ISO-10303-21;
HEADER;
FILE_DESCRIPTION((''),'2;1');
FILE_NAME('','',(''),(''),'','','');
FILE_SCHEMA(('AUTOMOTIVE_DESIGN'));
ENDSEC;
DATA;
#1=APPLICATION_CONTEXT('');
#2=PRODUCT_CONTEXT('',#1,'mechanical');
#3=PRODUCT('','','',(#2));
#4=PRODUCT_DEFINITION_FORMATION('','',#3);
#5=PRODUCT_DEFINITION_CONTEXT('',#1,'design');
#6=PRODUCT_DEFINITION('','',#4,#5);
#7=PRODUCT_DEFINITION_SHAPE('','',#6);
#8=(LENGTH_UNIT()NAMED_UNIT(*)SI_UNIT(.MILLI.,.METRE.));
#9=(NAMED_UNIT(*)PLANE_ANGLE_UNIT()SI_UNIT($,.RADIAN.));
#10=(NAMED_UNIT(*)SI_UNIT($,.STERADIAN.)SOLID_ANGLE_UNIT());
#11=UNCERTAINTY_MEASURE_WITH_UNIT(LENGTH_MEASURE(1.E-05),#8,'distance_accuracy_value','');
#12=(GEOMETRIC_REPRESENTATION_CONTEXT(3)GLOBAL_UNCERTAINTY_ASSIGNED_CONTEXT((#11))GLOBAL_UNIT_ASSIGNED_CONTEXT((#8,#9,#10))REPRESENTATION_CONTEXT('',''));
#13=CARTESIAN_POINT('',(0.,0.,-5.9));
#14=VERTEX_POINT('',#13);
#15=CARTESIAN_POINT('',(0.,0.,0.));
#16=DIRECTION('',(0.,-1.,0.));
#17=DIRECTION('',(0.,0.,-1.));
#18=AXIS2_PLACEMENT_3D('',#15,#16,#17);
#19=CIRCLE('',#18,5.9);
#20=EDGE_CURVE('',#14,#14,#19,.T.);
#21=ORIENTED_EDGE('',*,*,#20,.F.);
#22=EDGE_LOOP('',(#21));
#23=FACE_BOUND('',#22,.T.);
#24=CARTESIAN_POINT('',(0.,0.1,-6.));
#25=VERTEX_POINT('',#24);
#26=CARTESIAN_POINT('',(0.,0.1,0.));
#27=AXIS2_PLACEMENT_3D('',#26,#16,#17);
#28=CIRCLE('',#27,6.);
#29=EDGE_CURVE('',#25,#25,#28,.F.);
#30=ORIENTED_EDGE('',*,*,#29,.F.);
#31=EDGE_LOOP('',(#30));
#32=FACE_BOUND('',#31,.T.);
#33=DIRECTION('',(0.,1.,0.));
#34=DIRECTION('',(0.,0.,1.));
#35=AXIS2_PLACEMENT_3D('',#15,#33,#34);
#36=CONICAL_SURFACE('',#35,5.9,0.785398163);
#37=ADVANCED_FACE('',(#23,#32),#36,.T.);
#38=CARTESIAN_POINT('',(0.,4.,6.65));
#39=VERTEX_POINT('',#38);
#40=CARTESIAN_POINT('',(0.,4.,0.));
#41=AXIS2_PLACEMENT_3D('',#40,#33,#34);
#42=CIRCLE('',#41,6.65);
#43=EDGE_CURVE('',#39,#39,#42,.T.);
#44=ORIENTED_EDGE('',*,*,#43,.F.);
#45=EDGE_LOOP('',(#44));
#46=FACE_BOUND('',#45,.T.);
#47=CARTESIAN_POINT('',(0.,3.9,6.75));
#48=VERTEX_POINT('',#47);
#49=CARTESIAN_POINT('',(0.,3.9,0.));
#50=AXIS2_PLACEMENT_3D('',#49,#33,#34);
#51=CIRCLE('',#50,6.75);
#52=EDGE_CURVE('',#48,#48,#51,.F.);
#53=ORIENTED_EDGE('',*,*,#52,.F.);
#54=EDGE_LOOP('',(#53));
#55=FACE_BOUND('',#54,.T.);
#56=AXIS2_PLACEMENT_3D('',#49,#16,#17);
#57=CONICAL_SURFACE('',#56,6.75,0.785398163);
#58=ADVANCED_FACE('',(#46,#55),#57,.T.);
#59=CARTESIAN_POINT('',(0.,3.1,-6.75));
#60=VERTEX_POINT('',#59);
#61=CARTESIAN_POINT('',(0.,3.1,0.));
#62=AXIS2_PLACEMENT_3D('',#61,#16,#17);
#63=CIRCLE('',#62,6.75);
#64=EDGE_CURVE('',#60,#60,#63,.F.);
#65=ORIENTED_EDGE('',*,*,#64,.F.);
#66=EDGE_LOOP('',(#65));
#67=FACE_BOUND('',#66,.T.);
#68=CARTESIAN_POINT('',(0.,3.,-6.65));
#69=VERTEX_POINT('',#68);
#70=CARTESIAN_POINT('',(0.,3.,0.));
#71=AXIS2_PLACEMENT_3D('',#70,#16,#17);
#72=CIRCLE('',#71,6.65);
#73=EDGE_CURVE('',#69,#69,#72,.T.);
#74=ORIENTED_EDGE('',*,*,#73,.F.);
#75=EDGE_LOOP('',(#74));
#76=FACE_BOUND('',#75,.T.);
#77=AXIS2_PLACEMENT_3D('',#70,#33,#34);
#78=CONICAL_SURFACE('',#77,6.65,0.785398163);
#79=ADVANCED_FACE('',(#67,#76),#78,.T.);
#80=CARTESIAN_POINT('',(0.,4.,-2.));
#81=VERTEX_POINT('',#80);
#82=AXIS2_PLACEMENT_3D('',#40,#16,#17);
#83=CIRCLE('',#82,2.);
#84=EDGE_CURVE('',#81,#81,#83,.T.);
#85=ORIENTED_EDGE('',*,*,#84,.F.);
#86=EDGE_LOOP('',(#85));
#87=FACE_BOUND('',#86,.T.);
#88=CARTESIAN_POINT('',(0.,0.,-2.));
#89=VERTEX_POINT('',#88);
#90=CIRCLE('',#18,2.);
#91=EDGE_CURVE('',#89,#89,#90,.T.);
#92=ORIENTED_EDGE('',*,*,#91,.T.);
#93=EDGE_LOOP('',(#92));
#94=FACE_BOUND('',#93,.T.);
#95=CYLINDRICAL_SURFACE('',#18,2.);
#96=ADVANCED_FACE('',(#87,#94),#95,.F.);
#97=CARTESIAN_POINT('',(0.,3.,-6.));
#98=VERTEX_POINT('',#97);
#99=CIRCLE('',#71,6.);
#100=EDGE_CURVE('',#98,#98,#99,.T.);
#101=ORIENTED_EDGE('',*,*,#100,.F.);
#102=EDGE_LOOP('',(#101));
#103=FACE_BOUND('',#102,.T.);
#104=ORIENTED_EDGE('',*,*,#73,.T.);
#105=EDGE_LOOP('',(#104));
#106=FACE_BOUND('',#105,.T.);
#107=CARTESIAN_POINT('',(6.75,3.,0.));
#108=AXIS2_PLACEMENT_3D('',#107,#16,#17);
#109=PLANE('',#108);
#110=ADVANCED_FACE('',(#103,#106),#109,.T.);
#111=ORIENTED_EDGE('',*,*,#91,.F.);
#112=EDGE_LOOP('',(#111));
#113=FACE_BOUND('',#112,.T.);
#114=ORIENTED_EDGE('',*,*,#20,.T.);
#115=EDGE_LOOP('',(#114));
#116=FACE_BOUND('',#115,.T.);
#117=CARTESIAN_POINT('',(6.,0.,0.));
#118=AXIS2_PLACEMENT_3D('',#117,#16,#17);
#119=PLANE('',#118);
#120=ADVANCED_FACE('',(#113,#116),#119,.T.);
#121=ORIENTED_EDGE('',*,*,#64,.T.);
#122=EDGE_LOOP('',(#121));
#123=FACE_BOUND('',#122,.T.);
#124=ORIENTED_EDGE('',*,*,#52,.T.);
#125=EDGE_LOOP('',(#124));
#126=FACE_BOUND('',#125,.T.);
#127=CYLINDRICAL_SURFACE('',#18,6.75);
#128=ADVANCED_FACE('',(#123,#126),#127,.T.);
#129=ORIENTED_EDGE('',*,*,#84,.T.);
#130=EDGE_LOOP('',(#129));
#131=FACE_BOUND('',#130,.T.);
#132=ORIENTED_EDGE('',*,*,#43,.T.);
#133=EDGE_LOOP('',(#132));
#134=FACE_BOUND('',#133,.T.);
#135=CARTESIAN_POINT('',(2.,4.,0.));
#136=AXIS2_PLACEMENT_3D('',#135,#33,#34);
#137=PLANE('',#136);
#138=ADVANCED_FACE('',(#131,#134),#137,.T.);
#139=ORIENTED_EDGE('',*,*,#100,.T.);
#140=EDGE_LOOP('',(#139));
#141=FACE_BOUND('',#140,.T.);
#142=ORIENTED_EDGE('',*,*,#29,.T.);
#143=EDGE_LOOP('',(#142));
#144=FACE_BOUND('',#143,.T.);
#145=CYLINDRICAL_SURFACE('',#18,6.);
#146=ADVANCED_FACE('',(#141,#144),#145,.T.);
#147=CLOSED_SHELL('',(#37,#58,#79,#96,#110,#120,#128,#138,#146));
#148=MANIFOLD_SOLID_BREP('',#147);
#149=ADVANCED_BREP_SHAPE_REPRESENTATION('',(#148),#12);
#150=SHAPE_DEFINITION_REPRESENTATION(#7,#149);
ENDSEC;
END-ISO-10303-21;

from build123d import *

# Parameters (mm, degrees)
CHAMFER_1_SIZE = 0.1


with BuildPart() as part:
    # 草图1 → 旋转1 (revolve)
    with BuildSketch(Plane.XY):
        Polygon((2, 0), (2, 4), (6.75, 4), (6.75, 3), (6, 3), (6, 0), align=None)
    revolve(axis=Axis((0, 0, 0), (0, 1, 0)))

    # 倒角1
    chamfer_1_edges = [part.edges().sort_by_distance(p)[0] for p in [
        (-6, 0, 0),
        (-6.75, 3, 0),
        (-6.75, 4, 0),
    ]]
    chamfer(chamfer_1_edges, length=CHAMFER_1_SIZE)


solid = part.part
